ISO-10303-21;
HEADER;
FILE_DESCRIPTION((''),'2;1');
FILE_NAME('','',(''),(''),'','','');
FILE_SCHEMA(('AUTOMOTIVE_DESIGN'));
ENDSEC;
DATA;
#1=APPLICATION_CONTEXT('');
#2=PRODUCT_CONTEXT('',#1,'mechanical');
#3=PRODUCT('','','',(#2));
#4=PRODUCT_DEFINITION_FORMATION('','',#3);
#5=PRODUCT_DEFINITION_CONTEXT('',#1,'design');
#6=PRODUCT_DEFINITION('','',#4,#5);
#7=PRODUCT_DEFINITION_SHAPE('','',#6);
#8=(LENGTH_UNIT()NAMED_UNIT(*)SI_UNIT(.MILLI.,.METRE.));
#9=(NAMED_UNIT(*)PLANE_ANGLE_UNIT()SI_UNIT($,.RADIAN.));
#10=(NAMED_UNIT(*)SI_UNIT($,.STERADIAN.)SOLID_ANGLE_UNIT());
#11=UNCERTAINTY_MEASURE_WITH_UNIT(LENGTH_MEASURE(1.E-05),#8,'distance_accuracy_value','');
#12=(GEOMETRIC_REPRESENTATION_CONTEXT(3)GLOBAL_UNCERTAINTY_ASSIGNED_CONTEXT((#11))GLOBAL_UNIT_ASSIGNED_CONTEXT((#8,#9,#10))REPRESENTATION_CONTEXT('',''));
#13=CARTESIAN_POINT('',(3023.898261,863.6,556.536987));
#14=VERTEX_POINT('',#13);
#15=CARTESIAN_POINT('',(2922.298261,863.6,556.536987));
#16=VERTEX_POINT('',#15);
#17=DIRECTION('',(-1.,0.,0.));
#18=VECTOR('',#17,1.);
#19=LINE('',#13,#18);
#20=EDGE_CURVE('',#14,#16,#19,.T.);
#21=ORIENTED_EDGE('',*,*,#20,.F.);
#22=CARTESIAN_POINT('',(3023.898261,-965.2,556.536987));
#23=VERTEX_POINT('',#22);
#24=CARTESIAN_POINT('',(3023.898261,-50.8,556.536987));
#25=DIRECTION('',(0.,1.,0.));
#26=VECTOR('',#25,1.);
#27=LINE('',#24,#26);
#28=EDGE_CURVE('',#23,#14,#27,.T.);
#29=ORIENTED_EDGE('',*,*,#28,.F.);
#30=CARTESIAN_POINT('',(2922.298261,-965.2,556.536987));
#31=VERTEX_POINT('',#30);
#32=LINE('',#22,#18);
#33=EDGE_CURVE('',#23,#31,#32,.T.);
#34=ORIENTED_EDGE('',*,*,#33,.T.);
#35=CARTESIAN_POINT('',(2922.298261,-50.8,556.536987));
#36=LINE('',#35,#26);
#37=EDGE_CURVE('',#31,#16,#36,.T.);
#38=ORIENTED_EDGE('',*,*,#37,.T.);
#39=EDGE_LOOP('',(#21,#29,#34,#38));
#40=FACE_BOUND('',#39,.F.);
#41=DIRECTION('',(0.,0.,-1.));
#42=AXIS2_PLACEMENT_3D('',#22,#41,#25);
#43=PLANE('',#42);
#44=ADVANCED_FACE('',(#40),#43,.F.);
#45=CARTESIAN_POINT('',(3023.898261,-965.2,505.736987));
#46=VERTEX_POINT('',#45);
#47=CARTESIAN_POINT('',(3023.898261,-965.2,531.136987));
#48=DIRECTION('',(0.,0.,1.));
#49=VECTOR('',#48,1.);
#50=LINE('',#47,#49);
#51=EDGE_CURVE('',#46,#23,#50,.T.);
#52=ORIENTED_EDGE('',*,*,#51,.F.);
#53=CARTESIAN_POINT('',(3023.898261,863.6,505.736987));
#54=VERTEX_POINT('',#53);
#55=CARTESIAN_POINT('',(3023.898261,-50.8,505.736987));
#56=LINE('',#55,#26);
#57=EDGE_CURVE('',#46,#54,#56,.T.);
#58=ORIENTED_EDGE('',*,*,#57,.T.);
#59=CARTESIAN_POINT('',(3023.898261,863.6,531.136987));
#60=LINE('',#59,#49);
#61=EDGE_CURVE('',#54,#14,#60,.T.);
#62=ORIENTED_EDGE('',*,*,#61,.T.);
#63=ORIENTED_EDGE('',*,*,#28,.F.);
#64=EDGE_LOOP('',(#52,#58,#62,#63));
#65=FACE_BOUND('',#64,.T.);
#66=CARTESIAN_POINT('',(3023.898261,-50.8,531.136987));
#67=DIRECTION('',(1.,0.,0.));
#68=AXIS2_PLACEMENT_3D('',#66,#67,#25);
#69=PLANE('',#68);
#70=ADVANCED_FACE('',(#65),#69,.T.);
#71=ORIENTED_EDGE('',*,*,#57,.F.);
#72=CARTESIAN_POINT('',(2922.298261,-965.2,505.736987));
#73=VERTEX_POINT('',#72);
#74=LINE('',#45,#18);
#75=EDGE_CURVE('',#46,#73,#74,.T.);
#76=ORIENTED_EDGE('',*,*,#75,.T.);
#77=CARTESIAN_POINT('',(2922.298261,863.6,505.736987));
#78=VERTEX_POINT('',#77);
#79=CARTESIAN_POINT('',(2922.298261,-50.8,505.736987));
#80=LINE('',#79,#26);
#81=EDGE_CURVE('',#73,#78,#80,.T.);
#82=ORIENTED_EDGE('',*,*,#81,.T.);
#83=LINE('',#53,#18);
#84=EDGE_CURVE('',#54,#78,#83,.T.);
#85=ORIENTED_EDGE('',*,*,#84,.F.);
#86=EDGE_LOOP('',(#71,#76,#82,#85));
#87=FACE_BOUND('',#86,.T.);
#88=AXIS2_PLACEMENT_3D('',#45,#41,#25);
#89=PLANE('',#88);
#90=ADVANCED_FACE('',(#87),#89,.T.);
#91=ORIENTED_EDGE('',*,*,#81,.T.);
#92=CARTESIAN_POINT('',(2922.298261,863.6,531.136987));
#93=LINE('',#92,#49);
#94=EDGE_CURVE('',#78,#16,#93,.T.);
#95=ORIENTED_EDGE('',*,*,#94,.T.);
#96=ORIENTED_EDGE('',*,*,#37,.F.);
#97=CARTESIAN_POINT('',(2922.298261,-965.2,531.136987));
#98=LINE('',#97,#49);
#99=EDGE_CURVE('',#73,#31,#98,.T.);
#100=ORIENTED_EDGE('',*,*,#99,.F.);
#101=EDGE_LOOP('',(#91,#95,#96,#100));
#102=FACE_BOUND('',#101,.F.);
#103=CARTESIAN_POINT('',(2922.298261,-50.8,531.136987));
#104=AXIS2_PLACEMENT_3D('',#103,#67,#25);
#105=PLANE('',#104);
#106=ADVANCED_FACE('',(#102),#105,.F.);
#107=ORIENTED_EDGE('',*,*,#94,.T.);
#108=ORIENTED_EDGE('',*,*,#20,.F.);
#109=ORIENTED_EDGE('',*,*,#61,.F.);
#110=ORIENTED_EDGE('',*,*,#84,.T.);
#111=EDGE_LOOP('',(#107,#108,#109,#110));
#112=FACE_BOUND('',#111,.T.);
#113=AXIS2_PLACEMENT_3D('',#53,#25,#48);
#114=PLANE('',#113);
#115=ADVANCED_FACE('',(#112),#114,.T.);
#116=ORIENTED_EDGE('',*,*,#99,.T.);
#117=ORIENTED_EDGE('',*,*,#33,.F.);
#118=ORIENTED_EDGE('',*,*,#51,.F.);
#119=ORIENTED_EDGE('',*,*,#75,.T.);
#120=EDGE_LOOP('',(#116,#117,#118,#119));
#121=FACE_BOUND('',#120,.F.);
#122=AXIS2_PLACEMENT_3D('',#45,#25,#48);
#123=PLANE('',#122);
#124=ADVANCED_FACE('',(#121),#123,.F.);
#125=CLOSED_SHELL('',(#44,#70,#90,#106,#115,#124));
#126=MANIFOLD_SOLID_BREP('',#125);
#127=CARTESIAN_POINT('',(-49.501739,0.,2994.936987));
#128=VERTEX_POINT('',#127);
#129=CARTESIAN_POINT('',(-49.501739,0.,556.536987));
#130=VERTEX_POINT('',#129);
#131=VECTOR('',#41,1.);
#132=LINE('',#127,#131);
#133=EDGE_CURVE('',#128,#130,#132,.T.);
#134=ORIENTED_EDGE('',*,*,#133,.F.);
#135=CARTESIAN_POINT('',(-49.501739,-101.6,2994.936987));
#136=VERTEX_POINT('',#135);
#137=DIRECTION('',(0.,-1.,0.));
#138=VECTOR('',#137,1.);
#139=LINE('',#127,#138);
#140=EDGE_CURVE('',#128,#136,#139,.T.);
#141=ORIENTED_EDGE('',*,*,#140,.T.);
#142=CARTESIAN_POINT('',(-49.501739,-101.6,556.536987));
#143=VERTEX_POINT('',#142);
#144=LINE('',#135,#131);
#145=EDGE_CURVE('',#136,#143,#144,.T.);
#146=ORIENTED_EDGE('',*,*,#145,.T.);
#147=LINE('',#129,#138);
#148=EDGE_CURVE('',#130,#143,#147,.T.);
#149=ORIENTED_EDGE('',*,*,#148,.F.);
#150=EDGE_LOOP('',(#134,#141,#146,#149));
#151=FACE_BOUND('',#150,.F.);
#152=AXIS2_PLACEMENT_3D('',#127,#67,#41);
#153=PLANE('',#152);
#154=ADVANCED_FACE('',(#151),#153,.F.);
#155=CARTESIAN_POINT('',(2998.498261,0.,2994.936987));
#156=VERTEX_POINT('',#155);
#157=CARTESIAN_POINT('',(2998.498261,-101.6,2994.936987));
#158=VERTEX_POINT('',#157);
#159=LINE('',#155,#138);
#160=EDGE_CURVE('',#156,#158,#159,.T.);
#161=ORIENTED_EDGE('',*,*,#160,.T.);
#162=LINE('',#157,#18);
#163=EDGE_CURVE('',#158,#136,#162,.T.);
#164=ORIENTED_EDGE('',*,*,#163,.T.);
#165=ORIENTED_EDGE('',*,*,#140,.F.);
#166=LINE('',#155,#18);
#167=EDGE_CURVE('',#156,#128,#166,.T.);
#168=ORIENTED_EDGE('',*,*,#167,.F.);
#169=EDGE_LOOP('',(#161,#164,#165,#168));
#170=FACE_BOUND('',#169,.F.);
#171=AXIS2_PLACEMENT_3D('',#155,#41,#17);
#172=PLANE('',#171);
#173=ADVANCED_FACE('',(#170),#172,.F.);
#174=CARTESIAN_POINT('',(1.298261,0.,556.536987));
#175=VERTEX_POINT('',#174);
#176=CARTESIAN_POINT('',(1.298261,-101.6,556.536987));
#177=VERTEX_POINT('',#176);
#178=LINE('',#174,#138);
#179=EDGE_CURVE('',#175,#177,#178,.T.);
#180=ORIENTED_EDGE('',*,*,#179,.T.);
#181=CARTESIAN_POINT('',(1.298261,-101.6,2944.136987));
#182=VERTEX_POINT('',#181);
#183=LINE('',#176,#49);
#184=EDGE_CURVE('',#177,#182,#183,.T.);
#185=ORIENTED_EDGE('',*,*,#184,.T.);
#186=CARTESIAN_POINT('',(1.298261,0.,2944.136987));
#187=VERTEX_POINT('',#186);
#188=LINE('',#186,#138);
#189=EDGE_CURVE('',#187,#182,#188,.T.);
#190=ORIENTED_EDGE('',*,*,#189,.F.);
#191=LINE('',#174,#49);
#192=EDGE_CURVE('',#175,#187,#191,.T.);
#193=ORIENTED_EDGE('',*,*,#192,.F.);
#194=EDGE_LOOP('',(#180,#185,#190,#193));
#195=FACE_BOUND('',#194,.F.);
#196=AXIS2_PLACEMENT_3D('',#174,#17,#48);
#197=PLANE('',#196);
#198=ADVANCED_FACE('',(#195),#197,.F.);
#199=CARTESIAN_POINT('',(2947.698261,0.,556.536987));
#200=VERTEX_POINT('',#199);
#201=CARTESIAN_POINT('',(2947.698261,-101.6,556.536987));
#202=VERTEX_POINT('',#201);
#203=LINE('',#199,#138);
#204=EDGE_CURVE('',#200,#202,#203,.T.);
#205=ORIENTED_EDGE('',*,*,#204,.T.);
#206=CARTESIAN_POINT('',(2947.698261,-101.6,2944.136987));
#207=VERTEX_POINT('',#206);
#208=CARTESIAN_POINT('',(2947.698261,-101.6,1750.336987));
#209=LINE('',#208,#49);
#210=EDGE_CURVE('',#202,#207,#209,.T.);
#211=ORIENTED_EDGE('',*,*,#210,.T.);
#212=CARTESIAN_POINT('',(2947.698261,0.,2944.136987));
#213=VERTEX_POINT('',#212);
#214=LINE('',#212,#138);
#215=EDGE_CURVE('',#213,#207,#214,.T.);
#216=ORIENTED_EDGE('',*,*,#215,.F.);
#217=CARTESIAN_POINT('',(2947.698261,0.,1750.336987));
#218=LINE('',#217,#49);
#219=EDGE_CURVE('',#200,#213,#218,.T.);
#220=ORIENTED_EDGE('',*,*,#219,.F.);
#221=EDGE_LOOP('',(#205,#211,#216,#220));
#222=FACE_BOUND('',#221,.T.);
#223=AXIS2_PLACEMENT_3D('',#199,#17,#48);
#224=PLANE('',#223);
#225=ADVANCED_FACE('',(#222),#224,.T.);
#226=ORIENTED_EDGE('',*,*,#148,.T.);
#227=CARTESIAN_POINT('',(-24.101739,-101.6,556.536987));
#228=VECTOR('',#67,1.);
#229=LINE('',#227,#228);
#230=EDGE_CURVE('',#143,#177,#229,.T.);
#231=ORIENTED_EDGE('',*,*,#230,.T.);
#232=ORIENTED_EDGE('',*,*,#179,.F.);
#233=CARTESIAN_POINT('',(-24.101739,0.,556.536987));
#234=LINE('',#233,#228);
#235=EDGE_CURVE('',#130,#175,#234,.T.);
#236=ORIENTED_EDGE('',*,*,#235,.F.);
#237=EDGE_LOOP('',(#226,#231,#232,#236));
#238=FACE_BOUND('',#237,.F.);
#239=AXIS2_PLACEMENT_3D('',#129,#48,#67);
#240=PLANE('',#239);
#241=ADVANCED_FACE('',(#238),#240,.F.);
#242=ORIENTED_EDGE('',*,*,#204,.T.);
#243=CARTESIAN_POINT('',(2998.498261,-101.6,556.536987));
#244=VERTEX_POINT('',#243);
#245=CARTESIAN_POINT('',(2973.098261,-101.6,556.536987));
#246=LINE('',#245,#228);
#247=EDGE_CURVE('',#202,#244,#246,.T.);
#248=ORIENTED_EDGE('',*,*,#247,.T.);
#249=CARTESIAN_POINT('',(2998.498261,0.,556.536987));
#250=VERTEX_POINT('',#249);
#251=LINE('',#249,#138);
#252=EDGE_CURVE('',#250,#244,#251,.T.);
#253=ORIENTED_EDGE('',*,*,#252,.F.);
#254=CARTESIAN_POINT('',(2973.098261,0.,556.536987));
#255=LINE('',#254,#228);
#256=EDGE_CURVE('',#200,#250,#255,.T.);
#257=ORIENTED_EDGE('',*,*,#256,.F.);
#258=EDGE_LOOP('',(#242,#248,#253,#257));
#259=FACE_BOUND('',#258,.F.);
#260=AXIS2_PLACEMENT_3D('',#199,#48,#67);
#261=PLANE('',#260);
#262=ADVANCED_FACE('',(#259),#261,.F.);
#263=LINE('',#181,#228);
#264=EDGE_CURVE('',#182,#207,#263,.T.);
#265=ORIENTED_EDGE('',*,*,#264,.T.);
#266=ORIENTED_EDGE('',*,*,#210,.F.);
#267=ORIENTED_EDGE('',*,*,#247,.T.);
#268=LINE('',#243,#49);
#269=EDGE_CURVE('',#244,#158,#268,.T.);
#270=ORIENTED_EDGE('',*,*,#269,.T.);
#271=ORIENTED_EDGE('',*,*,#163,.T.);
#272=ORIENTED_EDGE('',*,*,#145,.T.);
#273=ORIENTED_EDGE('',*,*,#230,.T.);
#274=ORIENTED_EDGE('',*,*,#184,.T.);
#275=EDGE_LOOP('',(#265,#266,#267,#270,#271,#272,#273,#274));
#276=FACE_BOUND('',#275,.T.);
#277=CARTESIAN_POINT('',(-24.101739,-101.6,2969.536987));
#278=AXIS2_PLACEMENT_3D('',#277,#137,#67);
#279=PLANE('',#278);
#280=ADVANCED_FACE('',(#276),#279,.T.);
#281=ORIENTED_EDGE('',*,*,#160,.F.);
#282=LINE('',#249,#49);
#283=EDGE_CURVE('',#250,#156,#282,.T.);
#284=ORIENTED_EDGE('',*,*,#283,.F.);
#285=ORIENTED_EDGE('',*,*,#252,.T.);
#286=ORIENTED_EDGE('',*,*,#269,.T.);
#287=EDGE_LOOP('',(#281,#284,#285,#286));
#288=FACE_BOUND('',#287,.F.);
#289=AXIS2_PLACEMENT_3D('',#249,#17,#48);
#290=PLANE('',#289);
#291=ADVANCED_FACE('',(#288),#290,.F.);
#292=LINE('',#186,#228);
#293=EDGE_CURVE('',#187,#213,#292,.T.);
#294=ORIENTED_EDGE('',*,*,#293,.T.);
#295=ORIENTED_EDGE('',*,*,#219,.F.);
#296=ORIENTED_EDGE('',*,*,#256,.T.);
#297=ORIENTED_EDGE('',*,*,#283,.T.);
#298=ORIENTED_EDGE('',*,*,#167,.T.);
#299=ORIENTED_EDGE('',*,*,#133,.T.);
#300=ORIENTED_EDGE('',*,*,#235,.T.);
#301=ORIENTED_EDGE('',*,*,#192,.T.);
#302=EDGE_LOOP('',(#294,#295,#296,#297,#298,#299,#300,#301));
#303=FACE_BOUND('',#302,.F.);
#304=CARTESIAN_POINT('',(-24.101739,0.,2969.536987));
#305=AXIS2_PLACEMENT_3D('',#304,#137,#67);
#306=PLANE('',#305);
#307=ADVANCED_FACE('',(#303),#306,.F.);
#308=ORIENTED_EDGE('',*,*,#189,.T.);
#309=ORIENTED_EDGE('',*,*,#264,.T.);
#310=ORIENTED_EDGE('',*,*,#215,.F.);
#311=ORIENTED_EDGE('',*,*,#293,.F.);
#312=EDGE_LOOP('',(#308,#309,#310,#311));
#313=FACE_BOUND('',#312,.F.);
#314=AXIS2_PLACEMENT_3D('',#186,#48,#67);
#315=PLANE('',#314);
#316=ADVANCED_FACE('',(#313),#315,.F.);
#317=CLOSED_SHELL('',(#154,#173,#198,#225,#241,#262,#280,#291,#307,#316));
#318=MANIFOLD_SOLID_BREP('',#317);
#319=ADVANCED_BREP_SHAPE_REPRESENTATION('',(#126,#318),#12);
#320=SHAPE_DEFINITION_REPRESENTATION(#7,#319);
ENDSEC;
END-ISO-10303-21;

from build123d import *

# Parameters (mm, degrees)
F0_W     = 50.8
F0_H     = 50.8
F0_H_2   = 2387.6
F0_W_2   = 2946.4
F1_DEPTH = 101.6
F3_W     = 1828.8
F3_H     = 50.8
F4_DEPTH = 101.6


with BuildPart() as f1:
    # F0 (on Front) → F1 (new body)
    with BuildSketch(Plane.XZ):
        with Locations((-24.1017394423, 2969.5369873405)):
            Rectangle(F0_W, F0_H)
        with Locations((-24.1017394423, 1750.3369873405)):
            Rectangle(F0_W, F0_H_2)
        with Locations((1474.4982605577, 2969.5369873405)):
            Rectangle(F0_W_2, F0_H)
        with Locations((2973.0982605577, 2969.5369873405)):
            Rectangle(F0_W, F0_H)
        with Locations((2973.0982605577, 1750.3369873405)):
            Rectangle(F0_W, F0_H_2)
    extrude(amount=F1_DEPTH)


with BuildPart() as f4:
    # F3 (on offset) → F4 (new body)
    with BuildSketch(Plane.YZ.offset(3023.8982605577)):
        with Locations((-50.8, 531.1369873405)):
            Rectangle(F3_W, F3_H)
    extrude(amount=-F4_DEPTH)


solid = Compound([f1.part, f4.part])
